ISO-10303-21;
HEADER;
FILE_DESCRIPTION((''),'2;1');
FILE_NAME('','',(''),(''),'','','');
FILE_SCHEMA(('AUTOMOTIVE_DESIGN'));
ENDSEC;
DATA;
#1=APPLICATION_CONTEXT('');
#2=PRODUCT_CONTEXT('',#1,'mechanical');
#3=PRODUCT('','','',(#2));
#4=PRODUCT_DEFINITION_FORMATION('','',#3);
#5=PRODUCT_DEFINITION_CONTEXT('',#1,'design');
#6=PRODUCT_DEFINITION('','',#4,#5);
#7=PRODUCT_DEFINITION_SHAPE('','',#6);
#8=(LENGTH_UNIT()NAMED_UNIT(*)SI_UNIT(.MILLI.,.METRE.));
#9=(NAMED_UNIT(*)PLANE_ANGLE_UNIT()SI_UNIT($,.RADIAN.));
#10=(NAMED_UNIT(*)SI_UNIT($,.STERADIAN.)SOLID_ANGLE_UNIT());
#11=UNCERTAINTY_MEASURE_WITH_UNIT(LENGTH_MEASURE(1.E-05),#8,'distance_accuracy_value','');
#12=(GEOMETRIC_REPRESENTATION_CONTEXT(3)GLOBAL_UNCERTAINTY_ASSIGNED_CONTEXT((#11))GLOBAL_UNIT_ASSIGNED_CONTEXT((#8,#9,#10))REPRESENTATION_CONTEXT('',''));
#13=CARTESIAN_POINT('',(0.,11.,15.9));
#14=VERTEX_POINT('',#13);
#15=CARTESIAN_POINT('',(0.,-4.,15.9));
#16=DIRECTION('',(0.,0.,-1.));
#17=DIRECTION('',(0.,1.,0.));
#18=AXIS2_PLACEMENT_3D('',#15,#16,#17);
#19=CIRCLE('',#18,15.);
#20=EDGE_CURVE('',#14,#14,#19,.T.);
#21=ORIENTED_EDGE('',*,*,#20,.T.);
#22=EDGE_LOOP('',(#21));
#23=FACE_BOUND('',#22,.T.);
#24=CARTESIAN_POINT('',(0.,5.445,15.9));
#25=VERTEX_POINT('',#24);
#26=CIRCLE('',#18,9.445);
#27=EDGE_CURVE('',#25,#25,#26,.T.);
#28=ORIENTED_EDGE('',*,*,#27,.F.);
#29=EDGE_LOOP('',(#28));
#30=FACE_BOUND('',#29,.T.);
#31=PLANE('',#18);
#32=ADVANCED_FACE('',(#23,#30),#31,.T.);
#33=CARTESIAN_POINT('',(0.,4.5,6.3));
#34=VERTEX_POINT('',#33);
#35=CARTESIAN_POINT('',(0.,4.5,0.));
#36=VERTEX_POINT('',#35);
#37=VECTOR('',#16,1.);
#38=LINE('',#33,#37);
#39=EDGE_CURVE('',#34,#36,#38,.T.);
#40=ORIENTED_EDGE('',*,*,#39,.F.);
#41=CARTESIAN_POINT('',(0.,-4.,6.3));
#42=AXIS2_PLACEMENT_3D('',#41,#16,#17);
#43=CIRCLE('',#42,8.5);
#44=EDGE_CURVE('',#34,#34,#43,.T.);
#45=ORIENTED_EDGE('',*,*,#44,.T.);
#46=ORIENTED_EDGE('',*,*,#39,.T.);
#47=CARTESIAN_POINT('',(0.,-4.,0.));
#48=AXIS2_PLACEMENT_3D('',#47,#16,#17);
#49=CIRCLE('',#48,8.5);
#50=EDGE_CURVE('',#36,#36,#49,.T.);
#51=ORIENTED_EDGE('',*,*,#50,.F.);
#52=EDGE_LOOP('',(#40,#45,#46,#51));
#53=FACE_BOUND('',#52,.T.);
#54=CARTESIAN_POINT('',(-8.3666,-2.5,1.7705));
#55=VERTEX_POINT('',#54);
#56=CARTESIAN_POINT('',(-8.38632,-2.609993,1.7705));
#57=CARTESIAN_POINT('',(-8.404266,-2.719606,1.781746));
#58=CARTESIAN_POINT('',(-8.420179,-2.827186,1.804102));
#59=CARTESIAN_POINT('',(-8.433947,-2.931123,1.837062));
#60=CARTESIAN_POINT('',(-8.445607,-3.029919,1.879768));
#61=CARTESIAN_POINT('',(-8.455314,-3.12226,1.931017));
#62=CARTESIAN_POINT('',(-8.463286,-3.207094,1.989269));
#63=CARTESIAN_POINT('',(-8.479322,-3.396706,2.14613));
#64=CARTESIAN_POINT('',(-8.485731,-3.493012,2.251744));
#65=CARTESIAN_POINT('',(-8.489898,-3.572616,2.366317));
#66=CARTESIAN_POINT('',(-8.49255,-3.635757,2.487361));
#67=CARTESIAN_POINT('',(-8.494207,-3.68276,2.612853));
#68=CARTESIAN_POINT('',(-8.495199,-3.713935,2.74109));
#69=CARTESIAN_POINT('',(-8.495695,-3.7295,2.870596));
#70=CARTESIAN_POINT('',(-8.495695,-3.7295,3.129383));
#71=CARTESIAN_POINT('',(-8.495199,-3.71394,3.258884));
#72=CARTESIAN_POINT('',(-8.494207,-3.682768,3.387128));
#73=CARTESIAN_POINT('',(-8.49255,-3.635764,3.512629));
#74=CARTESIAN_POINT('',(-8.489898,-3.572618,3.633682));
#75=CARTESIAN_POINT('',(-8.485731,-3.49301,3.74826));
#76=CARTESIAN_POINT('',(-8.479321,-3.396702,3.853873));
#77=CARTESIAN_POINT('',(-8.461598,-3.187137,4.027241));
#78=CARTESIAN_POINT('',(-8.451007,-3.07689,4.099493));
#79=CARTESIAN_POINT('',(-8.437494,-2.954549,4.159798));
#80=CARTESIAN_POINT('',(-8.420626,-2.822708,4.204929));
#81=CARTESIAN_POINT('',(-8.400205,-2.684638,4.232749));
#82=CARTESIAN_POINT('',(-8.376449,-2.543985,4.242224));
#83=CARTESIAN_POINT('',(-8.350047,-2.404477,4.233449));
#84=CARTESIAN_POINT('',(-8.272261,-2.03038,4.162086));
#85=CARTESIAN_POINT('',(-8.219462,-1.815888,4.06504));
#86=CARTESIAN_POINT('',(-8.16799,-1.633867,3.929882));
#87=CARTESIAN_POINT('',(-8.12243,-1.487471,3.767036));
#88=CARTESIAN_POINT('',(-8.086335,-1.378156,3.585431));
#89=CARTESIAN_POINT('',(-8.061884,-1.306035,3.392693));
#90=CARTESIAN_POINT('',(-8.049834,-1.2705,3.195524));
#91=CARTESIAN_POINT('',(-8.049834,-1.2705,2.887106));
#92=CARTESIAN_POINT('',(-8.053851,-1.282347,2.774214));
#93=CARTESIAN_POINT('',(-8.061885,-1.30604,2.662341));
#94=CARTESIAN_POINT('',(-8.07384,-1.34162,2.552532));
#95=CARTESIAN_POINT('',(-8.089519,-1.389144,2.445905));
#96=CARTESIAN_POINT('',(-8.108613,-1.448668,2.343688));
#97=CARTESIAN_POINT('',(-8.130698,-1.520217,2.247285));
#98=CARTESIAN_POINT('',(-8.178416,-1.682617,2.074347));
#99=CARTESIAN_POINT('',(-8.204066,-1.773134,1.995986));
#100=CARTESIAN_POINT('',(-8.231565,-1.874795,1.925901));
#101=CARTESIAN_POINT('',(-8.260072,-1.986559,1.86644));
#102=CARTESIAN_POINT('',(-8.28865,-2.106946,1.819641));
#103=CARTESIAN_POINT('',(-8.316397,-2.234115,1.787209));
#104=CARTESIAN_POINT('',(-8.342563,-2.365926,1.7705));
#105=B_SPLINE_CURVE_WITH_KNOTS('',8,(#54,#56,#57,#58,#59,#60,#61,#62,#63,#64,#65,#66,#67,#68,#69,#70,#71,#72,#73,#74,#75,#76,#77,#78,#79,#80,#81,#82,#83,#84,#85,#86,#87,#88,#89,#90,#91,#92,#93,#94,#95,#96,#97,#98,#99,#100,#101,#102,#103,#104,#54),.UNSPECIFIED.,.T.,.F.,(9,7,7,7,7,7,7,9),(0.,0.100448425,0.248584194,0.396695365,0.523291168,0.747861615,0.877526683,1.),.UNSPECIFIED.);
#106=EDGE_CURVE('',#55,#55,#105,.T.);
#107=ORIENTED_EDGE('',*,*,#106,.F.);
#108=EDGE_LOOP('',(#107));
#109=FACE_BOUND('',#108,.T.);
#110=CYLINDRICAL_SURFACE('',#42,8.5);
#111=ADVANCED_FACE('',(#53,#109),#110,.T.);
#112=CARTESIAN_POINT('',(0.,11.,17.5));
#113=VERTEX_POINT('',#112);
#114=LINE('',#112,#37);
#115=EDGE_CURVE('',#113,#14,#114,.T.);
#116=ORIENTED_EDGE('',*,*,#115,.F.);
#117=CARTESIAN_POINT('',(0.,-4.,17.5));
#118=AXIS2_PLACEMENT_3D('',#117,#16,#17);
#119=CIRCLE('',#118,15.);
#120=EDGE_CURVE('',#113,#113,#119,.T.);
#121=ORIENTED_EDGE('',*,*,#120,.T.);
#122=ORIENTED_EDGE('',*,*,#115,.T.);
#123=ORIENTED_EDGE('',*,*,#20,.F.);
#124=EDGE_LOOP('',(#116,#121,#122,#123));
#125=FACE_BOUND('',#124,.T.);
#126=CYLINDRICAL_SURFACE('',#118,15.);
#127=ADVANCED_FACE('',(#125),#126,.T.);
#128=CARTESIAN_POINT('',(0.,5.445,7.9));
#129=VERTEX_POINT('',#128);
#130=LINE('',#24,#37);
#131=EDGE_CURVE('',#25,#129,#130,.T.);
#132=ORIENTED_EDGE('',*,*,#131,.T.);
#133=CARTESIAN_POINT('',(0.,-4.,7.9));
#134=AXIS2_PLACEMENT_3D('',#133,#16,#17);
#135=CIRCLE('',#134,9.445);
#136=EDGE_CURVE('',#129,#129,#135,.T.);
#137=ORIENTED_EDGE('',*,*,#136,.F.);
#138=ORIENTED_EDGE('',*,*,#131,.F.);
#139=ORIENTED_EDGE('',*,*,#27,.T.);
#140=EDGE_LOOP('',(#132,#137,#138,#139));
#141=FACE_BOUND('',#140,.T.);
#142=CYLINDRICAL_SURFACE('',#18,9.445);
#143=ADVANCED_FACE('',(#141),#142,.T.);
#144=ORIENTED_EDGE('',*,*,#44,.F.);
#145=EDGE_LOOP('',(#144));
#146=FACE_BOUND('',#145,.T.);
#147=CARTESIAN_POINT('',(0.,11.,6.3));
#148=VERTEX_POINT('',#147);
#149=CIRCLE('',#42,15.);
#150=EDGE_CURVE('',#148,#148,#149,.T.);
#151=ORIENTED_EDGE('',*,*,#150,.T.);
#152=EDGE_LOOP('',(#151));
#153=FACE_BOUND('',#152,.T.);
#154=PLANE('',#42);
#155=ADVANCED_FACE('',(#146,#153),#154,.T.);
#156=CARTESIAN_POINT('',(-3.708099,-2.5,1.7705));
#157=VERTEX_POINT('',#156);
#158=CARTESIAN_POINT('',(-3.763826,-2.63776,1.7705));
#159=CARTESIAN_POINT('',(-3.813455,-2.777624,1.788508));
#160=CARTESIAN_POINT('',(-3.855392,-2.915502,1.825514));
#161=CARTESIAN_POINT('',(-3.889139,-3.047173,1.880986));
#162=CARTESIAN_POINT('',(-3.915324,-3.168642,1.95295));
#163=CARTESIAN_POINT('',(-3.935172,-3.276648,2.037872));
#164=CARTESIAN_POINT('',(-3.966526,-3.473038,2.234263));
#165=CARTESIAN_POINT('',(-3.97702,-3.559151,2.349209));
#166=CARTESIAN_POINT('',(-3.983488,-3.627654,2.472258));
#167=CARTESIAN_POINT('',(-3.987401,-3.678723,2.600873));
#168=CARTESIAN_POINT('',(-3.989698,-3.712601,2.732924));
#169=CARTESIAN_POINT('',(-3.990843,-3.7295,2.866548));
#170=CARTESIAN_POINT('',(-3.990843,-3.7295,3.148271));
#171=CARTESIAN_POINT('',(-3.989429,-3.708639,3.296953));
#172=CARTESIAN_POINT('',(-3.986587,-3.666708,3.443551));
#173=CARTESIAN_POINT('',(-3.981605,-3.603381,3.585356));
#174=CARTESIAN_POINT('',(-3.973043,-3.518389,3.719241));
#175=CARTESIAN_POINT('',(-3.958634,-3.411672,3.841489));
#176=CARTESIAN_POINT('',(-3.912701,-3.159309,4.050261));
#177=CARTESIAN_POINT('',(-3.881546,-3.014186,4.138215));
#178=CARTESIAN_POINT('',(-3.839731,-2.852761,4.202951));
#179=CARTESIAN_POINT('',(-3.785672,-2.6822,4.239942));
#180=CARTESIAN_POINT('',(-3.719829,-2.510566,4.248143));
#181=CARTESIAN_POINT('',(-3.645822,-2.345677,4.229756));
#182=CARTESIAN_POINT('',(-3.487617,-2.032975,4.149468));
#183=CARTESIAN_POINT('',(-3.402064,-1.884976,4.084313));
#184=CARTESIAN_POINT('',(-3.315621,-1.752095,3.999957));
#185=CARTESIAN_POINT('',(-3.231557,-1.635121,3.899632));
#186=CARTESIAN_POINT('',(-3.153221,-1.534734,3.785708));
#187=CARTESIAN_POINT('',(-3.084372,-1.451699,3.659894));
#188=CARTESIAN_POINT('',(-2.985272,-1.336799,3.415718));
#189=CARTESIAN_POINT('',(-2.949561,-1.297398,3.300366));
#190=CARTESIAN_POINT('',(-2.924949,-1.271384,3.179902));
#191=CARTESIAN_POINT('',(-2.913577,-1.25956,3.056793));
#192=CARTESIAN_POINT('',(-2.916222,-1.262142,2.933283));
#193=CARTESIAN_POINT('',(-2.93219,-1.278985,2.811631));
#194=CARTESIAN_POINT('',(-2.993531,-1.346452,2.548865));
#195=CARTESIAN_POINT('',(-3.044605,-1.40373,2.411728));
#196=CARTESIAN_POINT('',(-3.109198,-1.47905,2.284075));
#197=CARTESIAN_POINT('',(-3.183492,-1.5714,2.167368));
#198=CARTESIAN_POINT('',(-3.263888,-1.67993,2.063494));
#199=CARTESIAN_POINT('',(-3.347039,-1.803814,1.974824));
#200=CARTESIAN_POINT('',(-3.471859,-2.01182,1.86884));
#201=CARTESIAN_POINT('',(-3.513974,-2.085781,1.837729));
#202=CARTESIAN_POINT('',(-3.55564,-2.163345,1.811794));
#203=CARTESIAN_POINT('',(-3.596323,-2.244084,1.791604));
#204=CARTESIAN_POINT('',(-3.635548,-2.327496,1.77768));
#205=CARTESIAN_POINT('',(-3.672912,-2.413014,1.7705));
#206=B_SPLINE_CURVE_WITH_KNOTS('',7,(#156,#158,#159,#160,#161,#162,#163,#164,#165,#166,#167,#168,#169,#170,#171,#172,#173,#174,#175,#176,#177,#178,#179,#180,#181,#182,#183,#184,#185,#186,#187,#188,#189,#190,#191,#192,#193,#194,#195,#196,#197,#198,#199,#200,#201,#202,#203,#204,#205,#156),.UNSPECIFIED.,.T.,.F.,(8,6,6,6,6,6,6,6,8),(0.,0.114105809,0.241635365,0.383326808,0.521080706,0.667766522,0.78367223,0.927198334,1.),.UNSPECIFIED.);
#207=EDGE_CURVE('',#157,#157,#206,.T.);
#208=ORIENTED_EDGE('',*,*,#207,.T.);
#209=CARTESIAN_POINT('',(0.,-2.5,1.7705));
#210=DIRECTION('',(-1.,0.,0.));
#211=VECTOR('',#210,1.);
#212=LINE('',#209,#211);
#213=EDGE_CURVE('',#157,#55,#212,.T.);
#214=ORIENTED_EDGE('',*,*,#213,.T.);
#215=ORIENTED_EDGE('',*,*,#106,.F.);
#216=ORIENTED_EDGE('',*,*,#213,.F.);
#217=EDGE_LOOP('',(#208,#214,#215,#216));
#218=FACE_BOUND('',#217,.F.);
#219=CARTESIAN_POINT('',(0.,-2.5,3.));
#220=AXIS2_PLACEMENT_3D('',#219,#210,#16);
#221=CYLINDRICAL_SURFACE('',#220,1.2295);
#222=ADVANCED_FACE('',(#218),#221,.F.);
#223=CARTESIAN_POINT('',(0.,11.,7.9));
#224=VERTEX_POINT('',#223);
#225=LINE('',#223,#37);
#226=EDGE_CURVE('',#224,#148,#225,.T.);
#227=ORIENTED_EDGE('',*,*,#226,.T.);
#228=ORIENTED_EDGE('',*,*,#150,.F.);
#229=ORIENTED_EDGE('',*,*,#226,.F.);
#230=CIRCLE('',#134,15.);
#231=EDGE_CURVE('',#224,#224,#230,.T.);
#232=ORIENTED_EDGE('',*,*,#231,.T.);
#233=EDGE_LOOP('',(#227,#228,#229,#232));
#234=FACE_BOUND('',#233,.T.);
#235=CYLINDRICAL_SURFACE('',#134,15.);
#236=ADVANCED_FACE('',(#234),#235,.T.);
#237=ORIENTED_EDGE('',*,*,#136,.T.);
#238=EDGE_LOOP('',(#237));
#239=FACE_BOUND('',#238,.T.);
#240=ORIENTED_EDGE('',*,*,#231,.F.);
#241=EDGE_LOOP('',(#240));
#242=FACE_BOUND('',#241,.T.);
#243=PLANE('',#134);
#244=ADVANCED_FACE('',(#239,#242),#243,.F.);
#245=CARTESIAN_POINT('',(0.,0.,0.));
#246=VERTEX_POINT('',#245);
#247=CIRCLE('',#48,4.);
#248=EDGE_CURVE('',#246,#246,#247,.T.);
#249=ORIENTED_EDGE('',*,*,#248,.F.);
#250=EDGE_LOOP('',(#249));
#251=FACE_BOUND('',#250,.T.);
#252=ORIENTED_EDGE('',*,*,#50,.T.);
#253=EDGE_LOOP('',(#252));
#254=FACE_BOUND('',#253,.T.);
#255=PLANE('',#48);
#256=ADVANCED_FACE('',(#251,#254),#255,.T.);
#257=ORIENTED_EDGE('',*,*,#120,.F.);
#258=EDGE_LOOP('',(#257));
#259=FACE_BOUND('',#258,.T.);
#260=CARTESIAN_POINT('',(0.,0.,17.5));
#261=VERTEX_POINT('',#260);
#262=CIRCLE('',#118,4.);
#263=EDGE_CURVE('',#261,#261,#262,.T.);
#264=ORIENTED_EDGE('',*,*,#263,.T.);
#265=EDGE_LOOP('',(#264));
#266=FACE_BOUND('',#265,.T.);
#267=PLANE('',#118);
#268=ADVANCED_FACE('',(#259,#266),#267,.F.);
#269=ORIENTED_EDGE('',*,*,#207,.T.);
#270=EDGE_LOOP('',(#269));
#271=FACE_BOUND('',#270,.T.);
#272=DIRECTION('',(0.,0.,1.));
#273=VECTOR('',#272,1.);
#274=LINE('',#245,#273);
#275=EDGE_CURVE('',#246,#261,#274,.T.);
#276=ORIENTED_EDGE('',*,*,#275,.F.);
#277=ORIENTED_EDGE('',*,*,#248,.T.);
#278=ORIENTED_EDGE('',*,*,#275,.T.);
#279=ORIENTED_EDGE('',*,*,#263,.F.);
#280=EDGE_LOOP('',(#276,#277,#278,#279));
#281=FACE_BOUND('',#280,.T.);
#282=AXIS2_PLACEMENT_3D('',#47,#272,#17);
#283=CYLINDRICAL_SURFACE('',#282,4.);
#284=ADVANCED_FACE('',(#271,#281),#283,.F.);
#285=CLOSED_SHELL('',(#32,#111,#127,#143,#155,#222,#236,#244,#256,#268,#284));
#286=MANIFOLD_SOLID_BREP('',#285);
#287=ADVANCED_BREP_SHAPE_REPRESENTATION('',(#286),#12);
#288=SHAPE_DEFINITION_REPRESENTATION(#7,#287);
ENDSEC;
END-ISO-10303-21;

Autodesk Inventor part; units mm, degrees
ref_plane "YZ Plane" through (0, 0, 0) normal (1, 0, 0) x (0, 1, 0)
ref_plane "XZ Plane" through (0, 0, 0) normal (0, 1, 0) x (-1, 0, 0)
ref_plane "XY Plane" through (0, 0, 0) normal (0, 0, 1) x (1, 0, 0)
sketch "Sketch1" plane through (0, 0, 0) normal (1, 0, 0) x (0, 1, 0)
  line L0 (0, 17.5) -> (11, 17.5)
  line L1 (11, 17.5) -> (11, 15.9)
  line L2 (11, 15.9) -> (5.445, 15.9)
  line L3 (5.445, 15.9) -> (5.445, 7.9)
  line L4 (5.445, 7.9) -> (11, 7.9)
  line L5 (11, 7.9) -> (11, 6.3)
  line L6 (11, 6.3) -> (4.5, 6.3)
  line L7 (4.5, 6.3) -> (4.5, 0)
  line L8 (4.5, 0) -> (0, 0)
  line L9 (0, 0) -> (0, 17.5)
  line L10 (-4, 10.0812) -> (-4, 1.7277) construction
  dimension "d0" = 30
  dimension "d1" = 17.5
  dimension "d2" = 8
  dimension "d3" = 11.2
  dimension "d4" = 8
  dimension "d5" = 17
  dimension "d6" = 18.89
revolve "Revolution1" add sketch "Sketch1" angle 360 about axis through (0, -4, 10.0812) along (0, 0, -1)
sketch "Sketch2" plane through (0, 0, 0) normal (1, 0, 0) x (0, 1, 0)
  line L0 (-12.5, 6.3) -> (-12.5, 0) construction
  line L1 (4.5, 6.3) -> (4.5, 0) construction
  line L2 (-12.5, 0) -> (4.5, 0) construction
  line L3 (-11.6, 0) -> (6.6, 0) construction
  point P0 (0, 0)
  point P1 (-2.5, 3)
  point P2 (-2.5, 3)
  dimension "d8" = 3
hole "Hole1" at (0, -2.5, 3) direction (-1, 0, 0) diameter 2.459 end through all thread size "M3x0.5" class "6H" standard "ISO Metric profile"
